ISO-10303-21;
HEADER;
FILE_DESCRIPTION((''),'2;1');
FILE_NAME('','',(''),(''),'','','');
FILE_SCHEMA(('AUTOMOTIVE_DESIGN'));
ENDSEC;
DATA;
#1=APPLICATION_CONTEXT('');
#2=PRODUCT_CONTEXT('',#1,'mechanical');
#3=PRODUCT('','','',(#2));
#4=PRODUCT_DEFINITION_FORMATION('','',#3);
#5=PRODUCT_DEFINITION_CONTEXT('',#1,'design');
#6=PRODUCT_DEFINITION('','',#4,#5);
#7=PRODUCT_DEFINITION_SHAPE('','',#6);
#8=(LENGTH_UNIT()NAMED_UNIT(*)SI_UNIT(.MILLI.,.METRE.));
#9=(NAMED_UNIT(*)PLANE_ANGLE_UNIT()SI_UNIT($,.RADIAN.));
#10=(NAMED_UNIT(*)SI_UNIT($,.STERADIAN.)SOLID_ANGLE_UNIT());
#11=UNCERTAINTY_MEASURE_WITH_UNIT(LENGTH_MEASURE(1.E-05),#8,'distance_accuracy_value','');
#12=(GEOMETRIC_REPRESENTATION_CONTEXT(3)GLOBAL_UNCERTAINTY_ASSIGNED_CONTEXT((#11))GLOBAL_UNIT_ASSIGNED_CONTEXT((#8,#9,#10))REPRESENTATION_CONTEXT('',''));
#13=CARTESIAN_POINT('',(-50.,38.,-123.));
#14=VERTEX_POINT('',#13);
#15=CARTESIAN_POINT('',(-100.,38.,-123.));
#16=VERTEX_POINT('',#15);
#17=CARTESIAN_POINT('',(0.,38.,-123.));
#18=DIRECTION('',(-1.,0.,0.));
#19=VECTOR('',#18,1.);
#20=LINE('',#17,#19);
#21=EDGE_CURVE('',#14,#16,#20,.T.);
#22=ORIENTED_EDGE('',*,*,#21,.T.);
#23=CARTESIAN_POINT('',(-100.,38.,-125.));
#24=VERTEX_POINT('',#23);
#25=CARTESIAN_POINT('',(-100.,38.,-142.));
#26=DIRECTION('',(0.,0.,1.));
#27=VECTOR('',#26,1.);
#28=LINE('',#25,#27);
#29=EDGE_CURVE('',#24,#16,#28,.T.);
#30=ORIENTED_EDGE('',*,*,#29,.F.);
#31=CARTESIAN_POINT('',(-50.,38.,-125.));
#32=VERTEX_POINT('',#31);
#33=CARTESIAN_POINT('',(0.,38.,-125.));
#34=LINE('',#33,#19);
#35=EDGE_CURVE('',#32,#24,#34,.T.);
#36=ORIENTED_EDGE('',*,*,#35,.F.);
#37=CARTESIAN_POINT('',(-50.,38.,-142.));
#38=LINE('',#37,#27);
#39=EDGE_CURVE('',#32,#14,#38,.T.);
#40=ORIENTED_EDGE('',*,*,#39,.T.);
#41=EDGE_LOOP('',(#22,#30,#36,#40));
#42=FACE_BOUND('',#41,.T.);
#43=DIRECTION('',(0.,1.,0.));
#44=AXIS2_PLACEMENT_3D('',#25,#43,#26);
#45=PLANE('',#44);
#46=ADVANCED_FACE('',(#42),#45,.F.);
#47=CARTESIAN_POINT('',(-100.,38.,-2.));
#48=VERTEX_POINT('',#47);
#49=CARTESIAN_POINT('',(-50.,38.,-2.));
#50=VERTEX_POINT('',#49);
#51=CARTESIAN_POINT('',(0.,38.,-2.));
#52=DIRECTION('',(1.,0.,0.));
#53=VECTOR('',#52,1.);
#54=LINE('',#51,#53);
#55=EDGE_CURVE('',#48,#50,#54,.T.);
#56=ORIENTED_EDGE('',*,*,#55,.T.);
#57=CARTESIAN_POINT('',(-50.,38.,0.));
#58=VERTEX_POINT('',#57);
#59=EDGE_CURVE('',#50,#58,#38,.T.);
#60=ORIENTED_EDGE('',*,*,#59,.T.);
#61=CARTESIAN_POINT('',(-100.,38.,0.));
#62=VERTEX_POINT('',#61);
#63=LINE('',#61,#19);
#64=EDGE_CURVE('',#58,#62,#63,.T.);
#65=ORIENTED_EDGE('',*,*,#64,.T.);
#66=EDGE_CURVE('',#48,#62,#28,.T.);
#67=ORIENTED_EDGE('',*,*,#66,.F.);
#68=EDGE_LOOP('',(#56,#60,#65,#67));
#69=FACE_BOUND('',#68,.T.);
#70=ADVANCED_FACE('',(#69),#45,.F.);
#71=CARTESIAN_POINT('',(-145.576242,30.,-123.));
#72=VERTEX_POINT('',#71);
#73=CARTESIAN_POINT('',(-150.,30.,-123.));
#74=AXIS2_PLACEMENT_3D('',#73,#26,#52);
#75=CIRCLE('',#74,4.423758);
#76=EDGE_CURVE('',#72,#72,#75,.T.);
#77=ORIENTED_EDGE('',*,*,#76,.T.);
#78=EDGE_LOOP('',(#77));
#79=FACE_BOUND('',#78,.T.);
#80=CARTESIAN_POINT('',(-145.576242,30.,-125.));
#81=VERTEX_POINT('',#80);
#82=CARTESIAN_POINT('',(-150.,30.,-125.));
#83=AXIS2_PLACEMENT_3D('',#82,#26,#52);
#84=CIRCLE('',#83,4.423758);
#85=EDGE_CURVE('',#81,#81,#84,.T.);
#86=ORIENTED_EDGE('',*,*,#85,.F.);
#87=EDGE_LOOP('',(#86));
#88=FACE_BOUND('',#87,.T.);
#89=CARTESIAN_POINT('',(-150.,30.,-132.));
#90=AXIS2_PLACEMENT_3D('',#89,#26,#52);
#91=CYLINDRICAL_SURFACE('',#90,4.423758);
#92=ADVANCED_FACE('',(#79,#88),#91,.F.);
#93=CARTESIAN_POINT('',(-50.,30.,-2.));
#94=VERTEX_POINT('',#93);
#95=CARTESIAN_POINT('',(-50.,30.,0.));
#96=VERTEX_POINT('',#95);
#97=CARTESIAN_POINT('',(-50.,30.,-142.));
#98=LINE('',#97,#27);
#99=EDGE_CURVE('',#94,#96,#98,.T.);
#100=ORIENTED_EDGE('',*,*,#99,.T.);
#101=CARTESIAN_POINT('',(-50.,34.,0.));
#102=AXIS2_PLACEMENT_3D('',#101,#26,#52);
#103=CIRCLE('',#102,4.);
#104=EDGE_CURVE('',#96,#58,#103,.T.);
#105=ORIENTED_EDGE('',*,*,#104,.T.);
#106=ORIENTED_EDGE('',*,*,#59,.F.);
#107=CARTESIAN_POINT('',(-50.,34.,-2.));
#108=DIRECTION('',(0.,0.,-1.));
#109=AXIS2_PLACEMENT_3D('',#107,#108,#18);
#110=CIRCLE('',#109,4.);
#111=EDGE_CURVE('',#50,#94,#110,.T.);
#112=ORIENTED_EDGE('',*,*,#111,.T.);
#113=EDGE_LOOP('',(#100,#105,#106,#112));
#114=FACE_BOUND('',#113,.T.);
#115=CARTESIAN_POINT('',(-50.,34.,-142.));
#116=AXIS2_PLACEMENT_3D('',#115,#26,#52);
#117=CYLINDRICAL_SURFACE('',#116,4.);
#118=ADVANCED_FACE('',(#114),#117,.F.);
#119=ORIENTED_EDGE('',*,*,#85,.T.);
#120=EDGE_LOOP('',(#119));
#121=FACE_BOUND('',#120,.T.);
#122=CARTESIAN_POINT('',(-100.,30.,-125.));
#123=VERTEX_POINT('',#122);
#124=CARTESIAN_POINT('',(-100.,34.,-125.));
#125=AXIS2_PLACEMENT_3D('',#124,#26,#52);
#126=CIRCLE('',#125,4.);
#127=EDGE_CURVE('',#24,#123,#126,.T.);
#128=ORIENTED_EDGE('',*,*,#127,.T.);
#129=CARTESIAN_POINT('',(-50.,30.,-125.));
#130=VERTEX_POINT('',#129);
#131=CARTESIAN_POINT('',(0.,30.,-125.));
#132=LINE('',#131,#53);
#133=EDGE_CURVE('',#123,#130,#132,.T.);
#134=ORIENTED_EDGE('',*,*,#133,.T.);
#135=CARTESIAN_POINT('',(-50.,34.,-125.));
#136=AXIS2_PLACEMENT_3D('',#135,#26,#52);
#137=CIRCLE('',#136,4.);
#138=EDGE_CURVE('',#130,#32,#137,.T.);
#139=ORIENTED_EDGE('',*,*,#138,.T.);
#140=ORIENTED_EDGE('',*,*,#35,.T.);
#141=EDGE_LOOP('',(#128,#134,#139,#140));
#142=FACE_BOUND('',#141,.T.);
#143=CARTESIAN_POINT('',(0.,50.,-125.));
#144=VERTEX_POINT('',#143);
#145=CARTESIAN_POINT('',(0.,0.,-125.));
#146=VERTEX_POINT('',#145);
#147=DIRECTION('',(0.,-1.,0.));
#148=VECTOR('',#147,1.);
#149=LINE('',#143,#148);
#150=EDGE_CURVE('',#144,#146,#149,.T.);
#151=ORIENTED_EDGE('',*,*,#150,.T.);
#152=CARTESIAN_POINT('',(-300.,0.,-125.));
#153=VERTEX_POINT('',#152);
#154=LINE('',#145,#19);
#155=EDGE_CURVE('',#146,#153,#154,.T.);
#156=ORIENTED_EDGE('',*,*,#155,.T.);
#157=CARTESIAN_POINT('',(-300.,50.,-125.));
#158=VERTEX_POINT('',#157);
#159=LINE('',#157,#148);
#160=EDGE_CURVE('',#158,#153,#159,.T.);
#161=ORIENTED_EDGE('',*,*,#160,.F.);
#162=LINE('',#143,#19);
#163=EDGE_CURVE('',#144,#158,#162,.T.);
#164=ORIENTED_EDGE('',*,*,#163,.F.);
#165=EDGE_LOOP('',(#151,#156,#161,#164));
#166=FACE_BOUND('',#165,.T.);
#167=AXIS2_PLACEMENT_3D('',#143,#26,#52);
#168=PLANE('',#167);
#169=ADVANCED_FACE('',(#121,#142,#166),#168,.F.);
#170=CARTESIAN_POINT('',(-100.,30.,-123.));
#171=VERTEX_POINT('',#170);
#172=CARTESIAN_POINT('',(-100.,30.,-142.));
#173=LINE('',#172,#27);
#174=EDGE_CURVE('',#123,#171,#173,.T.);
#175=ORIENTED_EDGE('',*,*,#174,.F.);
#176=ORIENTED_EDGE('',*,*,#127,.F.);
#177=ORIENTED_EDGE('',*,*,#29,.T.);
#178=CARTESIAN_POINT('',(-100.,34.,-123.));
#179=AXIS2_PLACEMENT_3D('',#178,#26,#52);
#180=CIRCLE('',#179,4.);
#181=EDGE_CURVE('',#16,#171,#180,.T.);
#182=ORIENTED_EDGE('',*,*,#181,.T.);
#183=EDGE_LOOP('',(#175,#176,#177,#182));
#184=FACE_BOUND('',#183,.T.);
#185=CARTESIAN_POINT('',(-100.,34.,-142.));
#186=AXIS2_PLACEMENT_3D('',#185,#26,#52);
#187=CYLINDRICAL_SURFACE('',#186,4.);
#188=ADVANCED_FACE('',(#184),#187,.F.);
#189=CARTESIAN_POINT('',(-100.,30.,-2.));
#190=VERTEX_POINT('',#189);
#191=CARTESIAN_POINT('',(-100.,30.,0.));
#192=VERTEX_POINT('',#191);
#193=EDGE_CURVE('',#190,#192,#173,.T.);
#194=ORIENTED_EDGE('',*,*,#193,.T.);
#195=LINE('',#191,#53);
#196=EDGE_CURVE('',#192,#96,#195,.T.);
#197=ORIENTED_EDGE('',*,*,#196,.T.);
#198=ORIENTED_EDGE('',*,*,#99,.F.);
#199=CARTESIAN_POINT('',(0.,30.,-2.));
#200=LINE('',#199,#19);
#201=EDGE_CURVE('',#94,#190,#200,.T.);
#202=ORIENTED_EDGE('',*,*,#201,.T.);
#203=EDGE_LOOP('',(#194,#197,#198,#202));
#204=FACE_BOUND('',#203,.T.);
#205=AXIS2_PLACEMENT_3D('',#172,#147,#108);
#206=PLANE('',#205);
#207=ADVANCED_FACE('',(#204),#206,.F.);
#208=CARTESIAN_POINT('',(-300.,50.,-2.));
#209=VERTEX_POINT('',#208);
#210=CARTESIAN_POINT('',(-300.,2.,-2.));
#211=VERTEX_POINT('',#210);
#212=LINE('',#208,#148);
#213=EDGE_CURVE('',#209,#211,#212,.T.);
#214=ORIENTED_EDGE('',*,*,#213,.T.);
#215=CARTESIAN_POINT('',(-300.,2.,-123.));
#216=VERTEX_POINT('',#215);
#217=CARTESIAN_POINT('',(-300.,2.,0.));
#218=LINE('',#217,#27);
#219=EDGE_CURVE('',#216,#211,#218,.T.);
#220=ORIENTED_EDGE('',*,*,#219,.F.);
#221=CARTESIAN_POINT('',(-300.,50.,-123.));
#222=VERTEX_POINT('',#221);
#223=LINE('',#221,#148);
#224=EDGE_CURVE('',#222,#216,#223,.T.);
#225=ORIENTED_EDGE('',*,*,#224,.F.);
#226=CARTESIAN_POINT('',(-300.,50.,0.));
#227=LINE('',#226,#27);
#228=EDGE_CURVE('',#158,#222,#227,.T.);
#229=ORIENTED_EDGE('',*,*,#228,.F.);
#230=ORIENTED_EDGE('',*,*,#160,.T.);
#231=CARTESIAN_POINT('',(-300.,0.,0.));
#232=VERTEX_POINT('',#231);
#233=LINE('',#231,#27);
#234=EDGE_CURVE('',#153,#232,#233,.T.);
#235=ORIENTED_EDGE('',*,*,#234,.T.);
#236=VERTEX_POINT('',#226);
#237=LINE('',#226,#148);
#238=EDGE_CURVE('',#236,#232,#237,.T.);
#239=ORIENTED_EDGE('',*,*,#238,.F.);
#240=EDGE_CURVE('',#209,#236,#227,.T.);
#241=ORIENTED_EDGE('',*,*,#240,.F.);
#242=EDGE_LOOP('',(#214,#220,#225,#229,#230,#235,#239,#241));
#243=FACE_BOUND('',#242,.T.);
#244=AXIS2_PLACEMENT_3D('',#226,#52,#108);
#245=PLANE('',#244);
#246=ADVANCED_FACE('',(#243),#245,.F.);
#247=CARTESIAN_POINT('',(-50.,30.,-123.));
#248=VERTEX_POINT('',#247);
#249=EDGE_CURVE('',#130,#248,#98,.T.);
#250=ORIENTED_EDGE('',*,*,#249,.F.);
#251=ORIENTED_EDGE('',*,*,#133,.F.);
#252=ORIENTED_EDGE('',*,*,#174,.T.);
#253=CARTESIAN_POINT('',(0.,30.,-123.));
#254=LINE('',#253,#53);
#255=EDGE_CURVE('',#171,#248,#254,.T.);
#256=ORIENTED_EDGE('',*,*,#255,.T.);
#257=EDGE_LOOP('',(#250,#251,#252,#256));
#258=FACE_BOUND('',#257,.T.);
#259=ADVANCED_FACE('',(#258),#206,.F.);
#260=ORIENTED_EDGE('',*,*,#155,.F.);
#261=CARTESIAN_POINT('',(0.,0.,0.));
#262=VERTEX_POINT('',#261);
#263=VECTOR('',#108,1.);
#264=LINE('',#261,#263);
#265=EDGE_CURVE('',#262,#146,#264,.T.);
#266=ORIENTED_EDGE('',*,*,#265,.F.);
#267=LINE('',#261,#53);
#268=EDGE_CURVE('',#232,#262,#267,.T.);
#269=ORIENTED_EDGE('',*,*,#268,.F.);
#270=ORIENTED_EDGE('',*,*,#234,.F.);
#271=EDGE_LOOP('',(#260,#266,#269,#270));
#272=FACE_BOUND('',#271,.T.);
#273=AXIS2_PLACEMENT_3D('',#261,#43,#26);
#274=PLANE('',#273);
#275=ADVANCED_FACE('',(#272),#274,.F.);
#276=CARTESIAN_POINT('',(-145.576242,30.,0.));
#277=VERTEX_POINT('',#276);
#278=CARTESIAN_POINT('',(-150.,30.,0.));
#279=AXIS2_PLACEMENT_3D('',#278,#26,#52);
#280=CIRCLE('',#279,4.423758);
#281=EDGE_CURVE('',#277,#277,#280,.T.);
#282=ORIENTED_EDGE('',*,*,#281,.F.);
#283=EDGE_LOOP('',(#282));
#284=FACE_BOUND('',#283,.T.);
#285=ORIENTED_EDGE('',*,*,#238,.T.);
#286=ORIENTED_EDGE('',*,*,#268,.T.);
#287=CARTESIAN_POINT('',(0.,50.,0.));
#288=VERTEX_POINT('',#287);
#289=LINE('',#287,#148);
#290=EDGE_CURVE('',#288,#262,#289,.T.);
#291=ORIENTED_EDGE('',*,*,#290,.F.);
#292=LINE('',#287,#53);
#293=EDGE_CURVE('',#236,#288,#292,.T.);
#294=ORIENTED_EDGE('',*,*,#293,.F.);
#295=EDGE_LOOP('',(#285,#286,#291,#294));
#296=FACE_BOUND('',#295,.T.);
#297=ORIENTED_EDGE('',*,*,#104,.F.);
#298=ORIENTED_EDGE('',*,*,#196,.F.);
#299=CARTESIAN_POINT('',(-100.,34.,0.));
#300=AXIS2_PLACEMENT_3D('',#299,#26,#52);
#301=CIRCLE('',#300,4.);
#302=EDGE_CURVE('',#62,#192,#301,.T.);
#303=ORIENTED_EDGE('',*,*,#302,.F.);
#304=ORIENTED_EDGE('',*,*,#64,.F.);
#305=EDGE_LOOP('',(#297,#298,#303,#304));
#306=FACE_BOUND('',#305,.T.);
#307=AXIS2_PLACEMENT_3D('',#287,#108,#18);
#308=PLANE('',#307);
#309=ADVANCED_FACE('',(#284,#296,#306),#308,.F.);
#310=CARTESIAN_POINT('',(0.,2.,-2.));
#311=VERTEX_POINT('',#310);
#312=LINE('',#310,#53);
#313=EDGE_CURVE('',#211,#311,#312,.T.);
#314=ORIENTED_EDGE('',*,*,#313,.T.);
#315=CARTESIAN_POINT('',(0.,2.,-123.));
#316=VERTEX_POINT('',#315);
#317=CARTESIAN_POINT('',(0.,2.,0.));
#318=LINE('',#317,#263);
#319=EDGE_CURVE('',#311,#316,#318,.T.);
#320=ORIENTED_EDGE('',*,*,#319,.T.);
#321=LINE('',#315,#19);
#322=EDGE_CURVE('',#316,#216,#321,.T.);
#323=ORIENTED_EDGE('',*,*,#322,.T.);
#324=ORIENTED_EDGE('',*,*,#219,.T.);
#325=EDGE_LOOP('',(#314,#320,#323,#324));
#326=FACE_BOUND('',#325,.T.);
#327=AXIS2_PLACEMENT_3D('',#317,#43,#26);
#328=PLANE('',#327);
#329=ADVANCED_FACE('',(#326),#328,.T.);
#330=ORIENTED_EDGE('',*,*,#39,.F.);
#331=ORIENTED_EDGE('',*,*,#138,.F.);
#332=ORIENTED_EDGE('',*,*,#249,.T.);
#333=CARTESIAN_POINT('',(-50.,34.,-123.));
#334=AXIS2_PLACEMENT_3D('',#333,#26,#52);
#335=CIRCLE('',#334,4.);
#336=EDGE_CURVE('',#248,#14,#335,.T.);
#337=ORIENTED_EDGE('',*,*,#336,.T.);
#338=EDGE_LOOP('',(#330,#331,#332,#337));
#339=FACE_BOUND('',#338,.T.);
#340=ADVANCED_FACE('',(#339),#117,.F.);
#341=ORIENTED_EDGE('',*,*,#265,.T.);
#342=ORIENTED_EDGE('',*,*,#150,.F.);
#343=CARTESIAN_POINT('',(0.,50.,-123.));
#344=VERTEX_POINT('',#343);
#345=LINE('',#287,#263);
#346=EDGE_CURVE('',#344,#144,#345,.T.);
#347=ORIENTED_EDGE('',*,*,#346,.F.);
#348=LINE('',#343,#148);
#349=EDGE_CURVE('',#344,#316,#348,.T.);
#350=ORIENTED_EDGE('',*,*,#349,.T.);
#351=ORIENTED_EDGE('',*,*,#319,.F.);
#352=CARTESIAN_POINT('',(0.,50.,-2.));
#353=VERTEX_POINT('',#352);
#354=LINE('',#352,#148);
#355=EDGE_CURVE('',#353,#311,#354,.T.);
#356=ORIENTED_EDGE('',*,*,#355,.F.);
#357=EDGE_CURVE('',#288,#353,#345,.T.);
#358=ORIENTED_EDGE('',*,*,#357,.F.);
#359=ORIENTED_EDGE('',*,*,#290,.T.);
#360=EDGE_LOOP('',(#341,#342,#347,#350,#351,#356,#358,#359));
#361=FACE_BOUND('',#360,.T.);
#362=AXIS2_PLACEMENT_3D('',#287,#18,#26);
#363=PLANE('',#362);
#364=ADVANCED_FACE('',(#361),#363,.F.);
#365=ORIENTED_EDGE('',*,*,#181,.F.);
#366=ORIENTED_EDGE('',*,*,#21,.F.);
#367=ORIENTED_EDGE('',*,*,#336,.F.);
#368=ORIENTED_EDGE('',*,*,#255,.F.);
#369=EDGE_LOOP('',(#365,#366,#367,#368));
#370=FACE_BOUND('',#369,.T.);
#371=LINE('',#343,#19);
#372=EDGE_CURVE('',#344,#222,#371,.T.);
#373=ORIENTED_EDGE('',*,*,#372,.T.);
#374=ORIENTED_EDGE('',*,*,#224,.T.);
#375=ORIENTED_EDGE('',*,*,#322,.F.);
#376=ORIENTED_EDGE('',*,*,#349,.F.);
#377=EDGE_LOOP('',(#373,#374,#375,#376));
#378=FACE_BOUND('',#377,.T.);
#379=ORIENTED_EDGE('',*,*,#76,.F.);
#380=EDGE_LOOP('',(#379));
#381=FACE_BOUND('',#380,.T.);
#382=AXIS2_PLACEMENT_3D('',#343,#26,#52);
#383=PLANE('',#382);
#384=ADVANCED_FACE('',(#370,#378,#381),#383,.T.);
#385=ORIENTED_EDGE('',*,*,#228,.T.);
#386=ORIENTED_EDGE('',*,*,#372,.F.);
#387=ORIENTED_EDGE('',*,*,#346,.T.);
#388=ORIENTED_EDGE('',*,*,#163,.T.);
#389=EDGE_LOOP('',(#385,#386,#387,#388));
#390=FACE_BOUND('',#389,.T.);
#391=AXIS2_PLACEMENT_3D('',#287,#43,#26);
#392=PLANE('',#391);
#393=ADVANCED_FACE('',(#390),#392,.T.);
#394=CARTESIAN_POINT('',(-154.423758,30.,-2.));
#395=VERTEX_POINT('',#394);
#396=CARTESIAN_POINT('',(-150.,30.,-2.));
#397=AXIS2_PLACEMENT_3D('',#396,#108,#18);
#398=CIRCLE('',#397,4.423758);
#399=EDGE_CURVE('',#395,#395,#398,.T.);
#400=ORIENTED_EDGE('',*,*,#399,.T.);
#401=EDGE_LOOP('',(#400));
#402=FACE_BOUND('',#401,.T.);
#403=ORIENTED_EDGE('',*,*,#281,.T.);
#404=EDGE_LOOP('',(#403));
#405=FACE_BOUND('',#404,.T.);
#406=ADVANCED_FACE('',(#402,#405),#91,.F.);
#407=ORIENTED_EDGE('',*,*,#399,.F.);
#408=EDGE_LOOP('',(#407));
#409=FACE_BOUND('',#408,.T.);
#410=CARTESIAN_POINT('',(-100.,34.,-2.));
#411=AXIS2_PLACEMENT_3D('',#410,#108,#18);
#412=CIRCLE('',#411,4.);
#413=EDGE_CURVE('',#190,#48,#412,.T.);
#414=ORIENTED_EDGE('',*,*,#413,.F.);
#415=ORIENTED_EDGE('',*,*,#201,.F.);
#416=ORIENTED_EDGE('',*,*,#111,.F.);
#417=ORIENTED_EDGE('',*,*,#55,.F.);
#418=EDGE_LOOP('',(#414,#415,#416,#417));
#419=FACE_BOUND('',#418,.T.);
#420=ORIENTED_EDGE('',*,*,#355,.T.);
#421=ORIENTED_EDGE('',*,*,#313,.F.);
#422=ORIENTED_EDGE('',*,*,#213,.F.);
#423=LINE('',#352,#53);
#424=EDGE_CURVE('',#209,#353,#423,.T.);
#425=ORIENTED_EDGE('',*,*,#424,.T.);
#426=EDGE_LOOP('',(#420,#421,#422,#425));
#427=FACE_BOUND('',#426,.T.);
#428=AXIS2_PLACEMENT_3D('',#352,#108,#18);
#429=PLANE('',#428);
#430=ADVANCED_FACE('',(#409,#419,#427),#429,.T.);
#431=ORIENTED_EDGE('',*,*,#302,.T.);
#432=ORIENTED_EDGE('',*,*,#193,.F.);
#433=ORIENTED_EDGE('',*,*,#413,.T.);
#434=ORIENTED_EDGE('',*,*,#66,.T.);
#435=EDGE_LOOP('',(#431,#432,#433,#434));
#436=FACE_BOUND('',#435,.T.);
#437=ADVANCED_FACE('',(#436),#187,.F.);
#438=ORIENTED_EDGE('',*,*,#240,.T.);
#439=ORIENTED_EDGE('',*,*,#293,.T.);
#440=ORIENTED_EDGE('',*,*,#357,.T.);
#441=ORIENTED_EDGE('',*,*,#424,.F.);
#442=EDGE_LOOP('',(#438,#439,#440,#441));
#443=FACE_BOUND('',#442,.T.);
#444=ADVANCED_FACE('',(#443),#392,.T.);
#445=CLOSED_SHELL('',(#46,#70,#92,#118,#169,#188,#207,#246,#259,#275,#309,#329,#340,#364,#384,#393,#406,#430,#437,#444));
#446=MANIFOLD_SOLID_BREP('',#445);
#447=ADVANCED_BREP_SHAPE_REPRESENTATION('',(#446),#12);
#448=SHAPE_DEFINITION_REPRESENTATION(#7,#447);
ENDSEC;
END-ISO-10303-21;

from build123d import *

# Parameters (mm, degrees)
SKETCH1_W           = 300
SKETCH1_H           = 125
BOSS_EXTRUDE1_DEPTH = 50
SHELL1_T            = -2
CUT_EXTRUDE1_DEPTH  = 142
SKETCH3_R           = 4.423757835
CUT_EXTRUDE2_DEPTH  = 132


with BuildPart() as part:
    # Sketch1 → Boss-Extrude1 (new body)
    with BuildSketch(Plane(origin=(0, 0, 0), x_dir=(1, 0, 0), z_dir=(0, 1, 0))):
        with Locations((-150, 62.5)):
            Rectangle(SKETCH1_W, SKETCH1_H)
    extrude(amount=BOSS_EXTRUDE1_DEPTH)

    # Shell1
    shell1_openings = [part.faces().sort_by_distance(p)[0] for p in [
        (-150, 50, -62.5),
        (-300, 25, -62.5),
        (0, 25, -62.5),
    ]]
    offset(amount=SHELL1_T, openings=shell1_openings, kind=Kind.INTERSECTION)

    # Sketch2 → Cut-Extrude1 (cut)
    with BuildSketch(Plane.XY):
        with BuildLine():
            Line((-100, 38), (-50, 38))
            ThreePointArc((-50, 38), (-46, 34), (-50, 30))
            Line((-50, 30), (-100, 30))
            ThreePointArc((-100, 30), (-104, 34), (-100, 38))
        make_face()
    extrude(amount=-CUT_EXTRUDE1_DEPTH, mode=Mode.SUBTRACT)

    # Sketch3 → Cut-Extrude2 (cut)
    with BuildSketch(Plane.XY):
        with Locations((-150, 30)):
            Circle(SKETCH3_R)
    extrude(amount=-CUT_EXTRUDE2_DEPTH, mode=Mode.SUBTRACT)


solid = part.part
